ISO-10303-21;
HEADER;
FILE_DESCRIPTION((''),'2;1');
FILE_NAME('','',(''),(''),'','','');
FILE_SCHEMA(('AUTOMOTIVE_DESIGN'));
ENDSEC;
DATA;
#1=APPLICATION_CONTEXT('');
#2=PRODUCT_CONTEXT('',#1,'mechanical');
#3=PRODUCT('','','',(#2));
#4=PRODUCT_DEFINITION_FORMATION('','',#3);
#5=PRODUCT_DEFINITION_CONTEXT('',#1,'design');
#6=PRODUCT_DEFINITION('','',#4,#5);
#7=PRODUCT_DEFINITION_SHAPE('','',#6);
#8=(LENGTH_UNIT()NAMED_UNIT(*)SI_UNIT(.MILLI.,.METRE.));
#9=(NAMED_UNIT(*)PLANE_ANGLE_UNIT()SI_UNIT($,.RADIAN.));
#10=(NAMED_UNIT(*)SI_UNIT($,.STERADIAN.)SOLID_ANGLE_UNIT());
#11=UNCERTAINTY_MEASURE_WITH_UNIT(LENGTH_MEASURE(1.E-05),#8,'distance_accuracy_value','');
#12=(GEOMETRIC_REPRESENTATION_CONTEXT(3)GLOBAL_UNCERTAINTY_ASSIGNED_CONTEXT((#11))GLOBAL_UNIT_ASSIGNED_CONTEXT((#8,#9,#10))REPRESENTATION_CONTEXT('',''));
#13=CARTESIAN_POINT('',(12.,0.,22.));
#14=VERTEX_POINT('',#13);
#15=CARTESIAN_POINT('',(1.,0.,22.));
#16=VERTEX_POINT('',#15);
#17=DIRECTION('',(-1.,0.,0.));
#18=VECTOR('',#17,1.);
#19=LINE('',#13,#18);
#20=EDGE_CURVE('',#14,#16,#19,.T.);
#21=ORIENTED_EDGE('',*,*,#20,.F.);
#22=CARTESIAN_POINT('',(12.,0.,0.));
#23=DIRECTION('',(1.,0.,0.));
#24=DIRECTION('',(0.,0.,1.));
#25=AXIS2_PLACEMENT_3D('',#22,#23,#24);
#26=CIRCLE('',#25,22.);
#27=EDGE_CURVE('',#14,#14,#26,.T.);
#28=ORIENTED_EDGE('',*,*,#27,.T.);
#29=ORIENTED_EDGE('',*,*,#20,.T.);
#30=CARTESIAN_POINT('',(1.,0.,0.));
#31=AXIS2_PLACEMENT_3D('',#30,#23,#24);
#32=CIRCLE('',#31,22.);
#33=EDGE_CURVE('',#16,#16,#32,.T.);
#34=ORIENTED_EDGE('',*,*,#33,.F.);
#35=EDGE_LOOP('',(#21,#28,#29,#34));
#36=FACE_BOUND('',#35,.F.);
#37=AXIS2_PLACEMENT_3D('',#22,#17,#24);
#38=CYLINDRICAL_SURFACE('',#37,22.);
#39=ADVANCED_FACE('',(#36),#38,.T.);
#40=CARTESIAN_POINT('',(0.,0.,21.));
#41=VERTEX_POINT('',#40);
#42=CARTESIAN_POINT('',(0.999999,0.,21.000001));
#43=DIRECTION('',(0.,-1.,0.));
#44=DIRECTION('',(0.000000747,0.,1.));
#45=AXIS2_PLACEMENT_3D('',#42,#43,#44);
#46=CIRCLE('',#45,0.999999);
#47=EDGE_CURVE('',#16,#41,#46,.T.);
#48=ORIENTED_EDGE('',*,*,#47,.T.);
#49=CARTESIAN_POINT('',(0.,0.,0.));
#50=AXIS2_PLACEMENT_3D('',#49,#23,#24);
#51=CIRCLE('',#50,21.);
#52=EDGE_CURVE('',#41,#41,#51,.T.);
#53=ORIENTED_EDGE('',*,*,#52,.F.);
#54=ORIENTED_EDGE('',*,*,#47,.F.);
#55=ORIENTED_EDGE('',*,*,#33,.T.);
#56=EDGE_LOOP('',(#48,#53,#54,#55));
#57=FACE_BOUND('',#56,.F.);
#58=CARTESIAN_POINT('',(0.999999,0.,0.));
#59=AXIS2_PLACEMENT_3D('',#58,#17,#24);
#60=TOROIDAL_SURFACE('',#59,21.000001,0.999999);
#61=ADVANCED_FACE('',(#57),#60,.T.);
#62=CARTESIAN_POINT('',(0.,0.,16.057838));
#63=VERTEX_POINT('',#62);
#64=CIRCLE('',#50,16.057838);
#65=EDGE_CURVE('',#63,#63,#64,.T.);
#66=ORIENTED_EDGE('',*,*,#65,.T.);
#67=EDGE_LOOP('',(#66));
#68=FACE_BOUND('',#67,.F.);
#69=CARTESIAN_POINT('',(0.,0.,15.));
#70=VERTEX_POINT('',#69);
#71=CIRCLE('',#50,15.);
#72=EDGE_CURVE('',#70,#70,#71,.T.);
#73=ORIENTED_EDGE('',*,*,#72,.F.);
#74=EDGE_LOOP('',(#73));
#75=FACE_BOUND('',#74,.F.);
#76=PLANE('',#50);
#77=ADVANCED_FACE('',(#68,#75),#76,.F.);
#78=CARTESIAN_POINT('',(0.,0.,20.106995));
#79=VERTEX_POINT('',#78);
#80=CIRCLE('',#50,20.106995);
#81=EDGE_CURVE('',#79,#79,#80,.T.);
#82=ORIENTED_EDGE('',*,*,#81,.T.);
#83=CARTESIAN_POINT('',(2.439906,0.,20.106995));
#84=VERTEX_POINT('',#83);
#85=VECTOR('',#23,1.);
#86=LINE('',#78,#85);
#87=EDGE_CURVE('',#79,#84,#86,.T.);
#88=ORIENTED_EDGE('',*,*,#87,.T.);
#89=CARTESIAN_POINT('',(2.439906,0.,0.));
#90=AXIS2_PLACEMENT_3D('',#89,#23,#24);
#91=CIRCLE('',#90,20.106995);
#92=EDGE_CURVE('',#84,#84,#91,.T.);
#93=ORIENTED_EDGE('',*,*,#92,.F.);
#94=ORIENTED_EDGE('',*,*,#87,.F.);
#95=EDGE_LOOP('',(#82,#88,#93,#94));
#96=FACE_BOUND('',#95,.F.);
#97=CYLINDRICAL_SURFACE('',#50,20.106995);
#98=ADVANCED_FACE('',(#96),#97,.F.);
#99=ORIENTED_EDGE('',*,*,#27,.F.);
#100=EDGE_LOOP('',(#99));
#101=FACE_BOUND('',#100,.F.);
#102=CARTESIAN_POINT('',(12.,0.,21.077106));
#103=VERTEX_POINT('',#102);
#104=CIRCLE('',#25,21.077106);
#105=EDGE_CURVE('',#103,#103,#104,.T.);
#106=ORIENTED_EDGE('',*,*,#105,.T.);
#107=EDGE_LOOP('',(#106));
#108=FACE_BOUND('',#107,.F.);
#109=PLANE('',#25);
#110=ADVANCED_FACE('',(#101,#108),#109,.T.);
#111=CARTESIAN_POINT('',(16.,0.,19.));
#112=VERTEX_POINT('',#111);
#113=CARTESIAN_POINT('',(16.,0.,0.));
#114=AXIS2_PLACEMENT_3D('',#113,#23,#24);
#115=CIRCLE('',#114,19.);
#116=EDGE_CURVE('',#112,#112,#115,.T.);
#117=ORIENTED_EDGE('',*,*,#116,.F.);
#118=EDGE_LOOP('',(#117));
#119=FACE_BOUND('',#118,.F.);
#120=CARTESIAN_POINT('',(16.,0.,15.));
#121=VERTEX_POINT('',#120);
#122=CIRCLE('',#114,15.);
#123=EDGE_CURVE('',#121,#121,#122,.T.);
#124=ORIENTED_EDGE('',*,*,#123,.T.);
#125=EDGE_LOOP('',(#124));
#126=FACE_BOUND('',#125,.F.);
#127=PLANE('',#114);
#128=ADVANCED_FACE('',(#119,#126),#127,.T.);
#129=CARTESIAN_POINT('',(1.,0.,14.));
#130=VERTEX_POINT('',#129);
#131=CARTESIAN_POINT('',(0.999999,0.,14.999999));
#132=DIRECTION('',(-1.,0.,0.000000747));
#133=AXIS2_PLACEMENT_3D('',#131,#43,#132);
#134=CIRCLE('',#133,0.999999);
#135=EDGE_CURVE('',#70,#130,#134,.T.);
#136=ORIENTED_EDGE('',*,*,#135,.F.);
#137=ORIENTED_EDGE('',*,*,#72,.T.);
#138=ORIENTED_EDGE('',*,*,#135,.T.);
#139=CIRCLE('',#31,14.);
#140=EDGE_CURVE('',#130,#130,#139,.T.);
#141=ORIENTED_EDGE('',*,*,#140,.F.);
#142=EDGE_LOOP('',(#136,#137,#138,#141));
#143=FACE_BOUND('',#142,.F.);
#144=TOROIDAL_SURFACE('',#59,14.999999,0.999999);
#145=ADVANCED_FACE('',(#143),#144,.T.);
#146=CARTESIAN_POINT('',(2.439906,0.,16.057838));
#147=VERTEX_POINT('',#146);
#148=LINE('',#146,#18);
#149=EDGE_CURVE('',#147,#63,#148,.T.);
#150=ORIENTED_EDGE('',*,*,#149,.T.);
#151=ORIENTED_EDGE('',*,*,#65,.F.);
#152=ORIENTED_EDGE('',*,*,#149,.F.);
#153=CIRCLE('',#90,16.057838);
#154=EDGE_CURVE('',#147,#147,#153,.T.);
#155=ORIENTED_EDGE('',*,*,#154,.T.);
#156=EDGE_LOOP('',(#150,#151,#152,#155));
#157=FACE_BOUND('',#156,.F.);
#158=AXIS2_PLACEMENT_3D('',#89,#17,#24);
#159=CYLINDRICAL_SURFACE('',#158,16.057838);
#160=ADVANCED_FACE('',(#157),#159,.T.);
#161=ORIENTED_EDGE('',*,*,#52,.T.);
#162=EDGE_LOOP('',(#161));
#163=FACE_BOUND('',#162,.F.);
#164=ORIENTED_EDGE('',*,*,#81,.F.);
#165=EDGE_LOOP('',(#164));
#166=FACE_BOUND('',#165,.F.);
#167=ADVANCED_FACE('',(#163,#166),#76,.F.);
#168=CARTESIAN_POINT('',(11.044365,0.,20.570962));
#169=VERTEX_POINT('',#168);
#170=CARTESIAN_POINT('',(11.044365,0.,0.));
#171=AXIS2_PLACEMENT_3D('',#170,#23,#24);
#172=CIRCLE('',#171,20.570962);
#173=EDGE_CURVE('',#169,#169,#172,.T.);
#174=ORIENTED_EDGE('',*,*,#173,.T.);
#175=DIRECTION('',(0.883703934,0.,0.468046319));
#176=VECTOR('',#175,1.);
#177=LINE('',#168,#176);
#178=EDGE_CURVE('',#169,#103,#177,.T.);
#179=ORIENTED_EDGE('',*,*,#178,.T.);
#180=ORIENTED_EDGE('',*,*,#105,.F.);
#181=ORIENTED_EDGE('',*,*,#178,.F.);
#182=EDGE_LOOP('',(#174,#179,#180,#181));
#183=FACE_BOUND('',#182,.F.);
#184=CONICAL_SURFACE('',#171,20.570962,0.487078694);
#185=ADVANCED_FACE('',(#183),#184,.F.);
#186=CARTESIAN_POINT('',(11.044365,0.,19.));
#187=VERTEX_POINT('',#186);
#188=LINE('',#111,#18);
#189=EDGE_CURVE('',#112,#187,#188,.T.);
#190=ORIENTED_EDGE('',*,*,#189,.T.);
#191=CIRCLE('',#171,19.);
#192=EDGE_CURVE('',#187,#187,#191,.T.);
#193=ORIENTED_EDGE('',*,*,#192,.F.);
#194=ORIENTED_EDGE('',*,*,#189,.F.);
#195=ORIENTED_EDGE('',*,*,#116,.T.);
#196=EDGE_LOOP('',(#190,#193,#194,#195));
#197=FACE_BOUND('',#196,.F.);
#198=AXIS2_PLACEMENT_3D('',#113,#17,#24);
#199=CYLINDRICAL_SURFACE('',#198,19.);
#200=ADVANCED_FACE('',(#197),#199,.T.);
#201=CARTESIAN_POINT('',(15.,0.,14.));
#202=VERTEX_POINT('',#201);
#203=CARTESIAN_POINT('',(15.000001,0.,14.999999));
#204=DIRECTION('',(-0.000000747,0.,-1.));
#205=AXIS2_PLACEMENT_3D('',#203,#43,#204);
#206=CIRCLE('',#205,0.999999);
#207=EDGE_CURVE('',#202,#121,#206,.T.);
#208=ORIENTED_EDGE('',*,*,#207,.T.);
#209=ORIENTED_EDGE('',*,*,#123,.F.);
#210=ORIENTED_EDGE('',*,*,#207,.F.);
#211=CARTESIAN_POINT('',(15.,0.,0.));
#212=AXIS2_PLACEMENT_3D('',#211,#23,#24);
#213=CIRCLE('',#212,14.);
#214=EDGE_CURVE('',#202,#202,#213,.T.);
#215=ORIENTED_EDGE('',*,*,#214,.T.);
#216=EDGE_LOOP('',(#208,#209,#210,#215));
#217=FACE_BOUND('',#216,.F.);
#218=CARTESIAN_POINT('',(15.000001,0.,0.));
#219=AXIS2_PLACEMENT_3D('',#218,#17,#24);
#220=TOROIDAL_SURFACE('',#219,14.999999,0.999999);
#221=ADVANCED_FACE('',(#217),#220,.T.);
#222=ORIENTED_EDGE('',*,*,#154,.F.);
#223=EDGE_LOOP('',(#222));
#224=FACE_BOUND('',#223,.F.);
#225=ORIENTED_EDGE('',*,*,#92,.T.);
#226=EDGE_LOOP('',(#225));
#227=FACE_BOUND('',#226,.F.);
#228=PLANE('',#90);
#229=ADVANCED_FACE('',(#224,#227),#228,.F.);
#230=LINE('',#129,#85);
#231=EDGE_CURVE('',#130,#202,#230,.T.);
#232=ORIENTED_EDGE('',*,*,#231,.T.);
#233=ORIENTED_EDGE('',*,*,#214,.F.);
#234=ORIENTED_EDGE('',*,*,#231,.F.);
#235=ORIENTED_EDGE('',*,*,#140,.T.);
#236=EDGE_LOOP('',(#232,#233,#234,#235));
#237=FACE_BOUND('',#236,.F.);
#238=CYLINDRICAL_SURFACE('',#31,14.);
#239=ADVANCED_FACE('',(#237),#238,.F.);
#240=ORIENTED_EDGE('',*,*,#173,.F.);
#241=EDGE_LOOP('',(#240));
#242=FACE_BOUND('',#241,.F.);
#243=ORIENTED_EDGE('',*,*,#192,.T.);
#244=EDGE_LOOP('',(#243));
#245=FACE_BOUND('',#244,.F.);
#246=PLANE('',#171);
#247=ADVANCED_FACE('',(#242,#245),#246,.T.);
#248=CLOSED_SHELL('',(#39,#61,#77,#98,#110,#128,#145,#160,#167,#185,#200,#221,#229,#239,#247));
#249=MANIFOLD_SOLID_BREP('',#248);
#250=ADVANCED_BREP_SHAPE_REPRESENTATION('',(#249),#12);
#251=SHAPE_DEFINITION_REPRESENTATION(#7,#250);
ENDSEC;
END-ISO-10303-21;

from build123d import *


with BuildPart() as f1:
    # F0 (on Front) → F1 (revolve)
    with BuildSketch(Plane.XZ):
        with BuildLine():
            Line((12, 22), (1, 22))
            ThreePointArc((1, 22), (0.292893, 21.707107), (0, 21))
            Line((0, 21), (0, 20.106995))
            Line((0, 20.106995), (2.439906, 20.106995))
            Line((2.439906, 20.106995), (2.439906, 16.057838))
            Line((2.439906, 16.057838), (0, 16.057838))
            Line((0, 16.057838), (0, 15))
            ThreePointArc((0, 15), (0.292893, 14.292893), (1, 14))
            Line((1, 14), (15, 14))
            ThreePointArc((15, 14), (15.707107, 14.292893), (16, 15))
            Line((16, 15), (16, 19))
            Line((16, 19), (12, 19))
            Line((12, 19), (11.044365, 19))
            Line((11.044365, 19), (11.044365, 20.570962))
            Line((11.044365, 20.570962), (12, 21.077106))
            Line((12, 21.077106), (12, 22))
        make_face()
    revolve(axis=Axis((11.88774, 0, 0), (1, 0, 0)))


solid = f1.part
